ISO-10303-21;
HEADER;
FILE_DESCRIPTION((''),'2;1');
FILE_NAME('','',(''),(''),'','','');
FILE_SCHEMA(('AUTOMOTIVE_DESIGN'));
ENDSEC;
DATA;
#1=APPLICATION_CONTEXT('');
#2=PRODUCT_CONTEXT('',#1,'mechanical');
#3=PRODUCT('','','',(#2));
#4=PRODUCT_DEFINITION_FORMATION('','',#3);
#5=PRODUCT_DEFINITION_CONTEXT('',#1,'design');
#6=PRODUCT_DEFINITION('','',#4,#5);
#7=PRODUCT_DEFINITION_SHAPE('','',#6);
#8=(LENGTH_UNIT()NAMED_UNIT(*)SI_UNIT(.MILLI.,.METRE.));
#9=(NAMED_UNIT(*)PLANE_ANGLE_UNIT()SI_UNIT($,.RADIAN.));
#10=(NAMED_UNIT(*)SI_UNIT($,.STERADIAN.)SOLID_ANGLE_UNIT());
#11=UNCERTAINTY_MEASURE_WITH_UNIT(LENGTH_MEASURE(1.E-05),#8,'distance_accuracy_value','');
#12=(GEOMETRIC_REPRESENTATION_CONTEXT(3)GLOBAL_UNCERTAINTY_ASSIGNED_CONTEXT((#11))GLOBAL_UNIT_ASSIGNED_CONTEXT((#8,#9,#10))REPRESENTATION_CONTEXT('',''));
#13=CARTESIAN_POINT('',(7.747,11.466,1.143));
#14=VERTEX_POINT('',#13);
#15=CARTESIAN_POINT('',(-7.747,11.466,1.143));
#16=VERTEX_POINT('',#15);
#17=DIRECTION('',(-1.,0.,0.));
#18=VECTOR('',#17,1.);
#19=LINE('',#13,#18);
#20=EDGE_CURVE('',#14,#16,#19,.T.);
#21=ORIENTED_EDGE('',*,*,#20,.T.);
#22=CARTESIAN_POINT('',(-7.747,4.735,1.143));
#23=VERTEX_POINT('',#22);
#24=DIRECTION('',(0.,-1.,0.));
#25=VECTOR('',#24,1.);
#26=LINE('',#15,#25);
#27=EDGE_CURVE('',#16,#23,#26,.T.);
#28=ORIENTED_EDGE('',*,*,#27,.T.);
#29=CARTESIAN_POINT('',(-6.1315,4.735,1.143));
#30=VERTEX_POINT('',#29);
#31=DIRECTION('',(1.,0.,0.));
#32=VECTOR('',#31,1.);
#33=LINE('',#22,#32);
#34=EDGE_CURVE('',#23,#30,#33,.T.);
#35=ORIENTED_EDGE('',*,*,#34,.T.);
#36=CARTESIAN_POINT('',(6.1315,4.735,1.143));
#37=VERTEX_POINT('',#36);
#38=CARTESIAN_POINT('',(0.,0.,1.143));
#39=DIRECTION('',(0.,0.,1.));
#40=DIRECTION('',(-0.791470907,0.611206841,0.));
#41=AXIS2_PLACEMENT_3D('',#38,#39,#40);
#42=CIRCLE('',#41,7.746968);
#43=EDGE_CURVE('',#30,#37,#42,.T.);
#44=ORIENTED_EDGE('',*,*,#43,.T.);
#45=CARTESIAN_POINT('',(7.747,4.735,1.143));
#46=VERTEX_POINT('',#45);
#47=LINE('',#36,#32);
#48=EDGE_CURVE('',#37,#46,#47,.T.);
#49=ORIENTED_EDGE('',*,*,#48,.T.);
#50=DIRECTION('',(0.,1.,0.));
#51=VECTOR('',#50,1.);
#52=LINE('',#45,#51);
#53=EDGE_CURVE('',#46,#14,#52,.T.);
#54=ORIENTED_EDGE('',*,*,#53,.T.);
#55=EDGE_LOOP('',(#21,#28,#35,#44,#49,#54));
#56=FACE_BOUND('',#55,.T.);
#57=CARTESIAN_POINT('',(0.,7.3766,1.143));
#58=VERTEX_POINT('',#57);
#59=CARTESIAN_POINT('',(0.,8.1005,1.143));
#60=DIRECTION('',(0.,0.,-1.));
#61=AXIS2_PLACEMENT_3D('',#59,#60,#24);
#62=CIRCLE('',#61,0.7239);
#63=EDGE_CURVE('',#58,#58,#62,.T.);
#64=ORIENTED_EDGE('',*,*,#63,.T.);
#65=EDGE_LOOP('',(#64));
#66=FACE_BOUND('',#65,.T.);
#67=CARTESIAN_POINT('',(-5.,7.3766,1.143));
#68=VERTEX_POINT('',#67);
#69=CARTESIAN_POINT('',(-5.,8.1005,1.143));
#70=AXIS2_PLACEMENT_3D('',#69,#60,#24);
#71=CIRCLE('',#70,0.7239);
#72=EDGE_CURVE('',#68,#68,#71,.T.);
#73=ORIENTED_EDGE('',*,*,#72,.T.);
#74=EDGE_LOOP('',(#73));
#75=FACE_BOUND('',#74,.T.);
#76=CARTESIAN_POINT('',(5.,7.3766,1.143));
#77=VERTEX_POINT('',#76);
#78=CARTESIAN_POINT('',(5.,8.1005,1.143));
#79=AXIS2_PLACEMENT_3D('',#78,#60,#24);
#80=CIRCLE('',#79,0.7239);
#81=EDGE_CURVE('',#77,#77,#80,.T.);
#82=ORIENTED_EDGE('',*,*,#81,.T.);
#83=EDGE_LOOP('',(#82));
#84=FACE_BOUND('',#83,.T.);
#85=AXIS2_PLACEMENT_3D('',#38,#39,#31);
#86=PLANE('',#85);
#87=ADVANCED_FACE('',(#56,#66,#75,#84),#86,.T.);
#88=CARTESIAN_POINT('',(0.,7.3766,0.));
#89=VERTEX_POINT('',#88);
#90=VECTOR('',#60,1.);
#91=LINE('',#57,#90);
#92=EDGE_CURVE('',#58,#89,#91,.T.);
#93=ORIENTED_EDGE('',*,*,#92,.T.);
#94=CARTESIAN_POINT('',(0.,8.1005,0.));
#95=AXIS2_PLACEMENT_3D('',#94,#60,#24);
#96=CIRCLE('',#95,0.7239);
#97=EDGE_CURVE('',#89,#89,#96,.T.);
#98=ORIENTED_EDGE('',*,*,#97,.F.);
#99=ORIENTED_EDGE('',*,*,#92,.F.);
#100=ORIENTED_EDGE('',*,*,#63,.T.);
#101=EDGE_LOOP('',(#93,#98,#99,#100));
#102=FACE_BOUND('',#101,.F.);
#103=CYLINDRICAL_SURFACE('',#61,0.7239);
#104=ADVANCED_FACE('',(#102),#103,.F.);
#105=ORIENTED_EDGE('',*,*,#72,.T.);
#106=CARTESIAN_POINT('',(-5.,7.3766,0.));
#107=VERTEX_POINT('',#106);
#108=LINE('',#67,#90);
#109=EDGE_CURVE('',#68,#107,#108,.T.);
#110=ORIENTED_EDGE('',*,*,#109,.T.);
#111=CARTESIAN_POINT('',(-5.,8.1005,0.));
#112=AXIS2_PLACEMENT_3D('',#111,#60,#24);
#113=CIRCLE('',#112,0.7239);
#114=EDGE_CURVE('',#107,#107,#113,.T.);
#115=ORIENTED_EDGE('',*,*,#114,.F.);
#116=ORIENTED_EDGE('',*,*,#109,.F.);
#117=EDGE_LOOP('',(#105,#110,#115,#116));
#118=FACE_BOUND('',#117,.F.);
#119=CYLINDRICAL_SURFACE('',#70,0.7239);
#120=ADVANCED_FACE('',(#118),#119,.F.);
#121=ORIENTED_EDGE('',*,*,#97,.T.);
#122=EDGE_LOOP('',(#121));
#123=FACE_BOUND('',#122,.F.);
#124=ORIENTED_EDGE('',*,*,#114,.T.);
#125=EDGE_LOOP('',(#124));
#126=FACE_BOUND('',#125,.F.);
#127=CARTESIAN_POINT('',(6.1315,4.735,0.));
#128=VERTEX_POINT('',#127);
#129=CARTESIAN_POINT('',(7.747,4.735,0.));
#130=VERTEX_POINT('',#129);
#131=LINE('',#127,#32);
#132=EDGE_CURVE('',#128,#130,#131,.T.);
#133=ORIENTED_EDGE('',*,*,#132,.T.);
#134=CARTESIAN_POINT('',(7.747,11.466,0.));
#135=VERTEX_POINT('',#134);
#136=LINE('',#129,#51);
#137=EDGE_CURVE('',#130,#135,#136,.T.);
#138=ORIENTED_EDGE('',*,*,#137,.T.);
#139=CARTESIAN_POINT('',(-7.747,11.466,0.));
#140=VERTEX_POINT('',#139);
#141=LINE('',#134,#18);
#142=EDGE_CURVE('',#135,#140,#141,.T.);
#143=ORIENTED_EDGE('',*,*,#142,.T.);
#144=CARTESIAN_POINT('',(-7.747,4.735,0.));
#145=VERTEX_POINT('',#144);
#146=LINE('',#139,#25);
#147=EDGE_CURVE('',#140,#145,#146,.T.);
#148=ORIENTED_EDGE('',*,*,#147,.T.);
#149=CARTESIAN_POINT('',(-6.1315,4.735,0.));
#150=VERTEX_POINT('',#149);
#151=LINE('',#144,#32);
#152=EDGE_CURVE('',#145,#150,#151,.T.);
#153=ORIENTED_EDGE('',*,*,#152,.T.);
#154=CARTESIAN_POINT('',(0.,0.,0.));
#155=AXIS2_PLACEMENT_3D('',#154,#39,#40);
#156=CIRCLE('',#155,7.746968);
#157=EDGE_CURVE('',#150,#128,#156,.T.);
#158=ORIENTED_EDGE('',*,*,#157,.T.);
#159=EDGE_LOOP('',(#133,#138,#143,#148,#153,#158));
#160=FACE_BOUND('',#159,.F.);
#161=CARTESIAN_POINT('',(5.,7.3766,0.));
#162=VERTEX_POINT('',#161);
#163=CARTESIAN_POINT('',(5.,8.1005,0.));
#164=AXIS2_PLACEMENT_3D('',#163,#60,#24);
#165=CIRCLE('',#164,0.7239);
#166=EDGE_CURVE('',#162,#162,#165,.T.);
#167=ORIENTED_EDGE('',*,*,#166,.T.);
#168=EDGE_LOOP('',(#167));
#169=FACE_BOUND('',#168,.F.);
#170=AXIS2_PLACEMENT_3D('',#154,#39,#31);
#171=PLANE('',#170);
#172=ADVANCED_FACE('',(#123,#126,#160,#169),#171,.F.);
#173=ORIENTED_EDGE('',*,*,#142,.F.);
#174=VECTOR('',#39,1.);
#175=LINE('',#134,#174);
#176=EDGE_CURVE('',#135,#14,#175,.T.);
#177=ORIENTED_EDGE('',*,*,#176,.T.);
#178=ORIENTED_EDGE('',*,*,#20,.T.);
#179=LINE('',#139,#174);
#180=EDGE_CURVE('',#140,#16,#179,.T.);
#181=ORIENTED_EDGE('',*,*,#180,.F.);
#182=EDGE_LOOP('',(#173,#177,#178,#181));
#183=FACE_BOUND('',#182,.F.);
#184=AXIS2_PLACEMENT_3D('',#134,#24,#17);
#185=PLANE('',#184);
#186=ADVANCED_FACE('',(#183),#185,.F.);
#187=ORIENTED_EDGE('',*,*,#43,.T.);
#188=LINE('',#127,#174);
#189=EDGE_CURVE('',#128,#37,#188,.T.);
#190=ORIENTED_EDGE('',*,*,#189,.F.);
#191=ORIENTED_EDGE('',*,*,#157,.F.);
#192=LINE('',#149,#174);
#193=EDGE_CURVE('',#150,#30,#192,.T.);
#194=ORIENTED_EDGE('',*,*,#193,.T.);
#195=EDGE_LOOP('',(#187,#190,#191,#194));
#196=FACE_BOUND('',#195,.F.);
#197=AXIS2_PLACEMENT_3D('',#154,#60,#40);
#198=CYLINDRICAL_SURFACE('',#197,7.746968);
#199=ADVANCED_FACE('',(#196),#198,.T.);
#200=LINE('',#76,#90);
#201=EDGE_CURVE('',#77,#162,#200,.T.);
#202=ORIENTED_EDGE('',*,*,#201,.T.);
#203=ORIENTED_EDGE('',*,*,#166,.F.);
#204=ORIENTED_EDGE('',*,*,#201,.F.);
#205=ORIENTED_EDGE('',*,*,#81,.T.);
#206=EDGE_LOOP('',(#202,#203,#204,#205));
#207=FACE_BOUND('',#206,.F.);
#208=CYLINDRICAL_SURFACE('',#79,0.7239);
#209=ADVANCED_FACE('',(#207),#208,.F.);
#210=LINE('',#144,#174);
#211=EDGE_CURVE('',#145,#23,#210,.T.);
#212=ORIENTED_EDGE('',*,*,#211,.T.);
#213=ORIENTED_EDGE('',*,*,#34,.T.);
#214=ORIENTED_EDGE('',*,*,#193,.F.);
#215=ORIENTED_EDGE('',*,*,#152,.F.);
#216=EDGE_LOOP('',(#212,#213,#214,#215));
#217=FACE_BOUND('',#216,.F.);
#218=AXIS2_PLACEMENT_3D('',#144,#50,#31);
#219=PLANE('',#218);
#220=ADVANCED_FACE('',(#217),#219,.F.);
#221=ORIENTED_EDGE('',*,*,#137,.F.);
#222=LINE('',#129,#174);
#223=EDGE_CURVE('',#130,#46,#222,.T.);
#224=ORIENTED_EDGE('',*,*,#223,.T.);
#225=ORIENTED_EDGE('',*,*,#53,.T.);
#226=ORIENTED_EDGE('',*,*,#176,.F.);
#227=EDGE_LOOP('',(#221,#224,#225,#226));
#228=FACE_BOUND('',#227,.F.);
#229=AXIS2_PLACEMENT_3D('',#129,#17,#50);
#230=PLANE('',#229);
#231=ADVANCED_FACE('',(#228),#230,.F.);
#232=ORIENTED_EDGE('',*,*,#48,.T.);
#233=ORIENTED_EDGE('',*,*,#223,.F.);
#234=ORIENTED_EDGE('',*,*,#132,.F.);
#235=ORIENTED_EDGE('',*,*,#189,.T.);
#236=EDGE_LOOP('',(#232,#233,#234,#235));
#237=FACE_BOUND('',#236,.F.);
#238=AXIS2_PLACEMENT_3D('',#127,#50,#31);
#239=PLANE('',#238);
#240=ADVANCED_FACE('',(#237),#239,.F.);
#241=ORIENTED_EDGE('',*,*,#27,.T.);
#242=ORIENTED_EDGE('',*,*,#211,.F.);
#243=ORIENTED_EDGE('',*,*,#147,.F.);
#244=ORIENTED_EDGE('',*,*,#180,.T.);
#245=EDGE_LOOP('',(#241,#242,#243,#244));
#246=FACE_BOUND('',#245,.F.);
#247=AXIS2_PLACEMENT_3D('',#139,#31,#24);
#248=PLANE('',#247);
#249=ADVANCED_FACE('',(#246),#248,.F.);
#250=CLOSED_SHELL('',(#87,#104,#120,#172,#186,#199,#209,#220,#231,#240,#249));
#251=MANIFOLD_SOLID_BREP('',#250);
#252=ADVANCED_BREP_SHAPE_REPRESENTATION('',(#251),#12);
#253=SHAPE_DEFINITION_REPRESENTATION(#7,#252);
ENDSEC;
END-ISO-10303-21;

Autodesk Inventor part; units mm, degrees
ref_plane "YZ Plane" through (0, 0, 0) normal (1, 0, 0) x (0, 1, 0)
ref_plane "XZ Plane" through (0, 0, 0) normal (0, 1, 0) x (-1, 0, 0)
ref_plane "XY Plane" through (0, 0, 0) normal (0, 0, 1) x (1, 0, 0)
sketch "Sketch1" plane through (0, 0, 0) normal (0, 0, 1) x (1, 0, 0)
  arc A0 (-6.1315, 4.735) -> (6.1315, 4.735) centre (0, 0) ccw
  line L0 (0, 0) -> (13.0157, 0) construction
  line L1 (7.747, 4.735) -> (7.747, 11.466)
  line L2 (7.747, 11.466) -> (-7.747, 11.466)
  line L3 (-7.747, 11.466) -> (-7.747, 4.735)
  line L4 (-7.747, 4.735) -> (-6.1315, 4.735)
  line L5 (6.1315, 4.735) -> (7.747, 4.735)
  dimension "d0" = 15.494
  dimension "d1" = 6.731
  dimension "d2" = 15.494
  dimension "d3" = 7.747
extrude "Extrusion1" add sketch "Sketch1" along normal blind 1.143
sketch "Sketch2" plane through (0, 0, 1.143) normal (0, 0, 1) x (1, 0, 0)
  line L0 (7.747, 11.466) -> (-7.747, 11.466) projected
  point P0 (-7.747, 4.735)
  point P1 (-5, 8.1005)
  point P2 (0, 8.1005)
  point P3 (5, 8.1005)
  dimension "d6" = 5
  dimension "d7" = 5
  dimension "d8" = 6.731
  dimension "d9" = 3.3655
hole "Hole1" at (-5, 8.1005, 1.143) at (0, 8.1005, 1.143) at (5, 8.1005, 1.143) direction (0, 0, -1) diameter 1.4478 end through all
equation "\"d3\" = 0.5 * d2"
equation "\"d9\" = 0.5 * d8"
properties part number "Potenciometro - Base"
